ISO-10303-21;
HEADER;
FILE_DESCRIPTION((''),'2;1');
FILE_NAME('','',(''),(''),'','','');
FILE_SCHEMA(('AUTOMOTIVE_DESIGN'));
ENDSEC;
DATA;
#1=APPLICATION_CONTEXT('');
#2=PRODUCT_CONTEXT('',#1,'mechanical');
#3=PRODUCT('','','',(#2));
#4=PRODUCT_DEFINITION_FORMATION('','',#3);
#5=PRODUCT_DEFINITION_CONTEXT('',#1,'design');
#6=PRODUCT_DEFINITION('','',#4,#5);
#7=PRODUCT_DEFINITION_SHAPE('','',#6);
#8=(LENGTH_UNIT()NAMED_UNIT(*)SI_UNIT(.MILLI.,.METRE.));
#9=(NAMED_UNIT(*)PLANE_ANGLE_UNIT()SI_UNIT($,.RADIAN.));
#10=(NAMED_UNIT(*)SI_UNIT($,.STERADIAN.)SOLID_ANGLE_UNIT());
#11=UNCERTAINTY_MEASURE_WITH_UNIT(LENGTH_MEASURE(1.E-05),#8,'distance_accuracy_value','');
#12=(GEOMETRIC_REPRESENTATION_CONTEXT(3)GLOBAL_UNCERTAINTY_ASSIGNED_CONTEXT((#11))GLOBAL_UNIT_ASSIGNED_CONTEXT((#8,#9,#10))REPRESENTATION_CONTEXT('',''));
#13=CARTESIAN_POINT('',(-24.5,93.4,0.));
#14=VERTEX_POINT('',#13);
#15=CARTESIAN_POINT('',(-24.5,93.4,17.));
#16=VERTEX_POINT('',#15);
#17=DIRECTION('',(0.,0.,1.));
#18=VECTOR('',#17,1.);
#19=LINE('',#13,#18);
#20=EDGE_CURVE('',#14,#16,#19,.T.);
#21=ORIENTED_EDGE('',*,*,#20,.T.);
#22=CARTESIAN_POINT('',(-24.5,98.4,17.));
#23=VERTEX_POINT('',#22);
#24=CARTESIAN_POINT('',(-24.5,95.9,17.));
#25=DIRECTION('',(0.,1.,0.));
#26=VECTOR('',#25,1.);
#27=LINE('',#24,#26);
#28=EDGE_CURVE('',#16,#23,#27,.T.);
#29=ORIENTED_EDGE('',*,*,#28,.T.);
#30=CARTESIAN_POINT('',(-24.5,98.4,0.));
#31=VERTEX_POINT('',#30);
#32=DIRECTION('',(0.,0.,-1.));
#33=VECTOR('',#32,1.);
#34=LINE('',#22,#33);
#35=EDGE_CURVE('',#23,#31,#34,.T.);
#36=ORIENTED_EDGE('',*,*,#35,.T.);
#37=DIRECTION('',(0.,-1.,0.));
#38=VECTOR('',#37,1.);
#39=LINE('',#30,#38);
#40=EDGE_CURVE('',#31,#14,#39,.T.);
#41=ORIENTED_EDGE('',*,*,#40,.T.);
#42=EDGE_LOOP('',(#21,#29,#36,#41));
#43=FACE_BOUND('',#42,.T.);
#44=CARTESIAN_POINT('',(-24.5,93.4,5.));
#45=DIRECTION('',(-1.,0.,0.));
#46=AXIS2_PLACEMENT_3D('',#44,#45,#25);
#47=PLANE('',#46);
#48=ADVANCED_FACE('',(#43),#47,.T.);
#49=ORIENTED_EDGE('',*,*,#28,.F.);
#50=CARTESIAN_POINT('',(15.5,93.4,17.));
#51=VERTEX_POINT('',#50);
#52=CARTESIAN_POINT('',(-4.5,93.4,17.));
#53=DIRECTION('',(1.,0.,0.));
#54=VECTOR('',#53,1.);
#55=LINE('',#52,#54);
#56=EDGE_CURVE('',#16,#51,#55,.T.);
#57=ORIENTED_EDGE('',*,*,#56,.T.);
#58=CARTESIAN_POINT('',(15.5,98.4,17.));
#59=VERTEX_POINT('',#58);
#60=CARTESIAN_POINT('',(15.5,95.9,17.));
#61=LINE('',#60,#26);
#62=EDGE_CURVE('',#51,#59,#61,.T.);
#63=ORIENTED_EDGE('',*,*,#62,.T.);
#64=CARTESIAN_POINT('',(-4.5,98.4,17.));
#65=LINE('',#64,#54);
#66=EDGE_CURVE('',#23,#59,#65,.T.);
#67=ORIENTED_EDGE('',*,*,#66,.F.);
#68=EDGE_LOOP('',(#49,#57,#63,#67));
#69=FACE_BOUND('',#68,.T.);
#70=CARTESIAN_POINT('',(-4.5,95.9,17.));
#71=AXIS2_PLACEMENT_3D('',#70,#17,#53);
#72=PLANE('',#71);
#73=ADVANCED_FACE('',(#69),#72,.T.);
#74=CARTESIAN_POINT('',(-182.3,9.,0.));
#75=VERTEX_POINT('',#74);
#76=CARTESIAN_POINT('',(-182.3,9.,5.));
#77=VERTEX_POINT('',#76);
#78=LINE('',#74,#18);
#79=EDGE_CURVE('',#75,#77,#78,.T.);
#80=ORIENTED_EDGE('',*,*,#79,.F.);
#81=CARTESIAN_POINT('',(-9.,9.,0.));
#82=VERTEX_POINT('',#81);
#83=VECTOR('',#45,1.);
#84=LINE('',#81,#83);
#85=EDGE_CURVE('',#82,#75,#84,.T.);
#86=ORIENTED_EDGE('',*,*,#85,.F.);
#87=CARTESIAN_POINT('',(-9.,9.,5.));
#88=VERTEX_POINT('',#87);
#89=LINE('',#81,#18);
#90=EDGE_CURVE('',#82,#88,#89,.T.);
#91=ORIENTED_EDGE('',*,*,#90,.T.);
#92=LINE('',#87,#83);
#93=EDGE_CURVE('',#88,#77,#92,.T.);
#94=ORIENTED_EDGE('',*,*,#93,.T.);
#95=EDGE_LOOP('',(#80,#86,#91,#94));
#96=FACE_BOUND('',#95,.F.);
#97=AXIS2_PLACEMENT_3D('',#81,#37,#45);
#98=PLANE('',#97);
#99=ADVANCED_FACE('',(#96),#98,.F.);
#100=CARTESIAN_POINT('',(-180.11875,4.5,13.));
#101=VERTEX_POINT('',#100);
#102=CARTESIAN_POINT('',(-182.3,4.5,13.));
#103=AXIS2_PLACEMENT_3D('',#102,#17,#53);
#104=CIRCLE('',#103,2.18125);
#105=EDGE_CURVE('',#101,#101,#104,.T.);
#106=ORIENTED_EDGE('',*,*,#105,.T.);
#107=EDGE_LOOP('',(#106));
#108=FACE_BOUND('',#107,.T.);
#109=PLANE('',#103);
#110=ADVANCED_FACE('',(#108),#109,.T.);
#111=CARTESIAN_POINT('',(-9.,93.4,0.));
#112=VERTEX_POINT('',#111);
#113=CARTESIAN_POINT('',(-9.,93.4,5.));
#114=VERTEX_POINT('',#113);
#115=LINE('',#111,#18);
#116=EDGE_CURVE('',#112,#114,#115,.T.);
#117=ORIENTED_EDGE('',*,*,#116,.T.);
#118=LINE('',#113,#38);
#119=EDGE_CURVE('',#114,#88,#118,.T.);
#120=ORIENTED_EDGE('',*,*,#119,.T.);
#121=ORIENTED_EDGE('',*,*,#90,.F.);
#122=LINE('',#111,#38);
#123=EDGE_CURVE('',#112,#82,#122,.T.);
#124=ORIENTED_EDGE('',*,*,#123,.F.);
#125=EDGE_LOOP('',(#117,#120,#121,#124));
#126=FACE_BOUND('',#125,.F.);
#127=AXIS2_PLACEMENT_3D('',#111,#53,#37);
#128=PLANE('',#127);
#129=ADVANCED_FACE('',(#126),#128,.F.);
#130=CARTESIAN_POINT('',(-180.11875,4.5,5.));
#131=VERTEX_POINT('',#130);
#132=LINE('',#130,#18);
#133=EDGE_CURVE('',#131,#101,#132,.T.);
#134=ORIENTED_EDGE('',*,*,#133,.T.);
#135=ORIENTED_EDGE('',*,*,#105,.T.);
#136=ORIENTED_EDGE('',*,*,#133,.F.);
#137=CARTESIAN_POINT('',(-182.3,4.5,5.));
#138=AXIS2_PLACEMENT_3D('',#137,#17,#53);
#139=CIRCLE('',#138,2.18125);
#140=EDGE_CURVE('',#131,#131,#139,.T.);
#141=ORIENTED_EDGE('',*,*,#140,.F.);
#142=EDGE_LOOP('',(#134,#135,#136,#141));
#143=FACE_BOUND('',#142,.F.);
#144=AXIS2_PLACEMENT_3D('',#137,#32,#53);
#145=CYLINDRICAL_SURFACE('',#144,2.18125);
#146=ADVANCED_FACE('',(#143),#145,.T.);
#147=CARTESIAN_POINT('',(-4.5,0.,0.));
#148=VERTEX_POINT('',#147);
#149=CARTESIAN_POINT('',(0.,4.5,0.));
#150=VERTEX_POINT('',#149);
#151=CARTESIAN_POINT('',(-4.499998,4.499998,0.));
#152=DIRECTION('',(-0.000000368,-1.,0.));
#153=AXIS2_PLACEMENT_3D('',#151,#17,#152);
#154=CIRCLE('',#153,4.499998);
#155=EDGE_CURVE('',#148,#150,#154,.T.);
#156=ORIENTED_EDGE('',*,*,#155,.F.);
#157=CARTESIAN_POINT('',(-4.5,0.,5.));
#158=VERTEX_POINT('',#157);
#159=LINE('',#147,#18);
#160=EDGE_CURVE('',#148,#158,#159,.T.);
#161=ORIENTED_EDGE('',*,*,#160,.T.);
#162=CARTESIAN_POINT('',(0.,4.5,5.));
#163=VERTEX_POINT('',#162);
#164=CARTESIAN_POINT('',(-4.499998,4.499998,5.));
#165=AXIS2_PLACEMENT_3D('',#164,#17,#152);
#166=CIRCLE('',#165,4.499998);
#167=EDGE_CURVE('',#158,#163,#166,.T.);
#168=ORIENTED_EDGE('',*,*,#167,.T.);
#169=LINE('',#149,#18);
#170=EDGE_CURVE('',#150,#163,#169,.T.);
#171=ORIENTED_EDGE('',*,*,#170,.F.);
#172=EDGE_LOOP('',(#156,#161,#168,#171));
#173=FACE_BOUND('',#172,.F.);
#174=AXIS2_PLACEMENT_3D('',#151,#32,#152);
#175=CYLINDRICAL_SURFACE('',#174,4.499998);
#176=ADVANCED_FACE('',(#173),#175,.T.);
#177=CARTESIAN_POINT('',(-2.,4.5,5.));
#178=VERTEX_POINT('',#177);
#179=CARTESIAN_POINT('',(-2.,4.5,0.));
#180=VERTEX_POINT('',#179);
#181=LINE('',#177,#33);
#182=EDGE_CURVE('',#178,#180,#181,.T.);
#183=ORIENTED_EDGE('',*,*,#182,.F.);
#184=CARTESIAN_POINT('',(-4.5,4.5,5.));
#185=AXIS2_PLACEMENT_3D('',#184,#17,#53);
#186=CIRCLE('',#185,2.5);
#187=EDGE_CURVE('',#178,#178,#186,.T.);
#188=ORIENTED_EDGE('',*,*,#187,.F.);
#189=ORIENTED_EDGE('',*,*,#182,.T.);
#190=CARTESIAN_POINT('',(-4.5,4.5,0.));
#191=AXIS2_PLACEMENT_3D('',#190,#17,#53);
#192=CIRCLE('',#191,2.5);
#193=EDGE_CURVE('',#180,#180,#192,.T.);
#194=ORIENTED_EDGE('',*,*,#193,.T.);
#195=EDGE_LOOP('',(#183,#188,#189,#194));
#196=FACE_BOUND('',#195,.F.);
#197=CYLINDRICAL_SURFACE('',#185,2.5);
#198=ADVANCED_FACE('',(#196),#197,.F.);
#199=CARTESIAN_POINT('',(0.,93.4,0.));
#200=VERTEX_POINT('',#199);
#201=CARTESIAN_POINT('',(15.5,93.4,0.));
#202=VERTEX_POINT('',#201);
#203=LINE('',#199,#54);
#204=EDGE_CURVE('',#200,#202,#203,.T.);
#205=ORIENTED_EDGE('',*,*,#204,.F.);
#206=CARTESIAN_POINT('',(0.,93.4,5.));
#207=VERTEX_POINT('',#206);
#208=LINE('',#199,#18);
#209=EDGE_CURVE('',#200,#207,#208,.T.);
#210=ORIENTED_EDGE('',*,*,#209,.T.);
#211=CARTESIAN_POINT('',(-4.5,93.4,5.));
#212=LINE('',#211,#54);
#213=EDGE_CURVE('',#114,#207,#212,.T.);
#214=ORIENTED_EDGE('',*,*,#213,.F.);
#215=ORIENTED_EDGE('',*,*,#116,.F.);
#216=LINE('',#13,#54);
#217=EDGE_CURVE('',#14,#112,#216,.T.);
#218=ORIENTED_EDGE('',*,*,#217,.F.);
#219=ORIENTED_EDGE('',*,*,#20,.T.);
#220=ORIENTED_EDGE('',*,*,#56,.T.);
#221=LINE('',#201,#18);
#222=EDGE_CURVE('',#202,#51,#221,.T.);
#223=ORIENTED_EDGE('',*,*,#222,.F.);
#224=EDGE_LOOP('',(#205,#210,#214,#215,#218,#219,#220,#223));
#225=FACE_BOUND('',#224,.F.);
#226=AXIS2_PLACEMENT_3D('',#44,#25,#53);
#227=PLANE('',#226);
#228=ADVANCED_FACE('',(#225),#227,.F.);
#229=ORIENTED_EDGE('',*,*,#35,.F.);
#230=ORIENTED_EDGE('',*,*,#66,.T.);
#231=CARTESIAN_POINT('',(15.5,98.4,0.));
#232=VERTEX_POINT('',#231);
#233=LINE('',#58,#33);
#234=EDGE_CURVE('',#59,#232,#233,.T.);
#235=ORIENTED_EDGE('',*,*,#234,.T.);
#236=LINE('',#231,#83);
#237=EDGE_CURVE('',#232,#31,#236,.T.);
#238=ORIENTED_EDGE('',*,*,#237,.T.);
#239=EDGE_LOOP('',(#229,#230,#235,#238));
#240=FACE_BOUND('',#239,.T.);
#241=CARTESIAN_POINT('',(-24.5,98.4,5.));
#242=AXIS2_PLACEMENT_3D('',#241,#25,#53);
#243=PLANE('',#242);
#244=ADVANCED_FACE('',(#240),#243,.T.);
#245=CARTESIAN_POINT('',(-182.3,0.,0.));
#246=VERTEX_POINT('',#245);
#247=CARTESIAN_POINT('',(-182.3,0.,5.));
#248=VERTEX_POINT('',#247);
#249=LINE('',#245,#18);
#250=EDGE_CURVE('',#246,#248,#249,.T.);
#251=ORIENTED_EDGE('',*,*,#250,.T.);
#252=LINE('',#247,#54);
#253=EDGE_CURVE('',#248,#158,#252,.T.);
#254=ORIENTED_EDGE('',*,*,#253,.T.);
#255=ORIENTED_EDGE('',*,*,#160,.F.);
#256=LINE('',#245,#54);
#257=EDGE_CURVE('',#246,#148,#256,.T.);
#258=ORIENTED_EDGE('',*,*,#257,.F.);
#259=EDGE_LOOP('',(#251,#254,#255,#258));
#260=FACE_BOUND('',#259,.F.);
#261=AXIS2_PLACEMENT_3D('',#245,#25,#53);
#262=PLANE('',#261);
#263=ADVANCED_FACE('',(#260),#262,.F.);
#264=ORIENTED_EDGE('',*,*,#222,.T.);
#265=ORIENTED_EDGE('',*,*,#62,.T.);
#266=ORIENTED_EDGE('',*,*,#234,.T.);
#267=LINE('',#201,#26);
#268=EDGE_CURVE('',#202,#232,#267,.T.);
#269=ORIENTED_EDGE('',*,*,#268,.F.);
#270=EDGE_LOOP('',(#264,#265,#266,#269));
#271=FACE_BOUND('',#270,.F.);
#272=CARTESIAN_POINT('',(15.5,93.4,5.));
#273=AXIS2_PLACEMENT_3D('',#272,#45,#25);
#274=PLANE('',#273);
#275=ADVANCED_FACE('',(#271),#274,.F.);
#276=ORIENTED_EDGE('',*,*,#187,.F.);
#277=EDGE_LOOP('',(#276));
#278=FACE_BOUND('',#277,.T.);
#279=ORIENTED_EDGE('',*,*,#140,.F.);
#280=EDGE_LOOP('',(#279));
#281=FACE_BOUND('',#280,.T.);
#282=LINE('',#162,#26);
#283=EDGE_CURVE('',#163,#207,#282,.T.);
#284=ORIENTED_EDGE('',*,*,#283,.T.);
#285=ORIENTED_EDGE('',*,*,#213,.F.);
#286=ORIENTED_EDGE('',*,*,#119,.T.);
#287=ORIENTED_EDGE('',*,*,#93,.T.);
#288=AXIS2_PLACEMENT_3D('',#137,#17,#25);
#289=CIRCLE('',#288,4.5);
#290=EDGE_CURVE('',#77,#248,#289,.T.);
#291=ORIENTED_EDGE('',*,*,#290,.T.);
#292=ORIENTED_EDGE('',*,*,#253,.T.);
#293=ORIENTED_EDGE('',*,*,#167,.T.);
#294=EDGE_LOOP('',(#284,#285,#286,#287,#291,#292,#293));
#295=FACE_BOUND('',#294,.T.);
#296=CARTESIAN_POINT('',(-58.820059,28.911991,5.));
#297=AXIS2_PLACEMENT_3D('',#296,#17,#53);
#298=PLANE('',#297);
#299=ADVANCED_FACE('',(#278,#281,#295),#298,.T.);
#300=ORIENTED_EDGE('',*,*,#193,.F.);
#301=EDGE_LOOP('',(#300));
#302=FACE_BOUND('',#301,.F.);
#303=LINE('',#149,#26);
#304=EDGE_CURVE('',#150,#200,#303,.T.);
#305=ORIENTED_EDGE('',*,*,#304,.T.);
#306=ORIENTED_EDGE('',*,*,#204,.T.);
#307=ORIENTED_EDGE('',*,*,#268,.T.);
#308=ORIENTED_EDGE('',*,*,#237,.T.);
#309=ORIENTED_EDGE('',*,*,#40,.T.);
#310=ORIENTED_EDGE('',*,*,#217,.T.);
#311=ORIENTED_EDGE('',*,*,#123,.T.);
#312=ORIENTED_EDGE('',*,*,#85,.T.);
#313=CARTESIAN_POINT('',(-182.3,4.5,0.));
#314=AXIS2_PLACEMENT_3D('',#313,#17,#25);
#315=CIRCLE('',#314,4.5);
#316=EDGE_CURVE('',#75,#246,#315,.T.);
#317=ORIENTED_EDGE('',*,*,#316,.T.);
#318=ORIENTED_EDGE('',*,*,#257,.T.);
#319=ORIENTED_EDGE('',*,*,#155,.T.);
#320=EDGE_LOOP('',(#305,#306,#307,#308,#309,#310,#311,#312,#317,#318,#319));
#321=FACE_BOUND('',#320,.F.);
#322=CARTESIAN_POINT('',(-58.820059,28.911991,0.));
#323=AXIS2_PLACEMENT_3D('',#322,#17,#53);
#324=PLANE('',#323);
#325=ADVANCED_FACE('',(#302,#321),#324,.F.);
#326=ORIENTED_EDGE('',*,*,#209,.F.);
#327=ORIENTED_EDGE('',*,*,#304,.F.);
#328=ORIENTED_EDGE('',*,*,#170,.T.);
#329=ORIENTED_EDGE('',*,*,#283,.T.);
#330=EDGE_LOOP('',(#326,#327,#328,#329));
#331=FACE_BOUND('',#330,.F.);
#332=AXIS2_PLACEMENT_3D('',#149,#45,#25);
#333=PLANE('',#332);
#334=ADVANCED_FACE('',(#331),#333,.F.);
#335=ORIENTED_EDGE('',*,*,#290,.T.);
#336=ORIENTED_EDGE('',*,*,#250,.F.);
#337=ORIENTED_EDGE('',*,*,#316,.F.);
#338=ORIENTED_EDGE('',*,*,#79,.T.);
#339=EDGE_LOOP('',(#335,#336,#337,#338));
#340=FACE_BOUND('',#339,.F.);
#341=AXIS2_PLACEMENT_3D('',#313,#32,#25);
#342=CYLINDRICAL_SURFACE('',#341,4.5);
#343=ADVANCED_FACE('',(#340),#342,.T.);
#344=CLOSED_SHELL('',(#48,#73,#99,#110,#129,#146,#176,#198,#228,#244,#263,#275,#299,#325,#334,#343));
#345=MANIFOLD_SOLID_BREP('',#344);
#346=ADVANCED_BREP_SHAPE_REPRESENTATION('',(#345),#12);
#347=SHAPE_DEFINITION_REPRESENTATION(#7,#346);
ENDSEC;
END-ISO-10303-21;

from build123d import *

# Parameters (mm, degrees)
F1_DEPTH = 5
F2_W     = 40
F2_H     = 5
F3_DEPTH = 12
F4_R     = 2.18125
F5_DEPTH = 8
F6_R     = 2.5
F7_DEPTH = 25


with BuildPart() as f1:
    # F0 (on Top) → F1 (new body)
    with BuildSketch(Plane.XY):
        with BuildLine():
            Line((15.5, 98.4), (-24.5, 98.4))
            Line((-24.5, 98.4), (-24.5, 93.4))
            Line((-24.5, 93.4), (-9, 93.4))
            Line((-9, 93.4), (-9, 9))
            Line((-9, 9), (-182.3, 9))
            ThreePointArc((-182.3, 9), (-186.8, 4.5), (-182.3, 0))
            Line((-182.3, 0), (-4.5, 0))
            ThreePointArc((-4.5, 0), (-1.318019, 1.318019), (0, 4.5))
            Line((0, 4.5), (0, 93.4))
            Line((0, 93.4), (15.5, 93.4))
            Line((15.5, 93.4), (15.5, 98.4))
        make_face()
    extrude(amount=F1_DEPTH)

    # F2 (on face) → F3 (join)
    with BuildSketch(Plane.XY.offset(5)):
        with Locations((-4.5, 95.9)):
            Rectangle(F2_W, F2_H)
    extrude(amount=F3_DEPTH)

    # F4 (on face) → F5 (join)
    with BuildSketch(Plane.XY.offset(5)):
        with Locations((-182.3, 4.5)):
            Circle(F4_R)
    extrude(amount=F5_DEPTH)

    # F6 (on face) → F7 (cut)
    with BuildSketch(Plane.XY.offset(5)):
        with Locations((-4.5, 4.5)):
            Circle(F6_R)
    extrude(amount=-F7_DEPTH, mode=Mode.SUBTRACT)


solid = f1.part
